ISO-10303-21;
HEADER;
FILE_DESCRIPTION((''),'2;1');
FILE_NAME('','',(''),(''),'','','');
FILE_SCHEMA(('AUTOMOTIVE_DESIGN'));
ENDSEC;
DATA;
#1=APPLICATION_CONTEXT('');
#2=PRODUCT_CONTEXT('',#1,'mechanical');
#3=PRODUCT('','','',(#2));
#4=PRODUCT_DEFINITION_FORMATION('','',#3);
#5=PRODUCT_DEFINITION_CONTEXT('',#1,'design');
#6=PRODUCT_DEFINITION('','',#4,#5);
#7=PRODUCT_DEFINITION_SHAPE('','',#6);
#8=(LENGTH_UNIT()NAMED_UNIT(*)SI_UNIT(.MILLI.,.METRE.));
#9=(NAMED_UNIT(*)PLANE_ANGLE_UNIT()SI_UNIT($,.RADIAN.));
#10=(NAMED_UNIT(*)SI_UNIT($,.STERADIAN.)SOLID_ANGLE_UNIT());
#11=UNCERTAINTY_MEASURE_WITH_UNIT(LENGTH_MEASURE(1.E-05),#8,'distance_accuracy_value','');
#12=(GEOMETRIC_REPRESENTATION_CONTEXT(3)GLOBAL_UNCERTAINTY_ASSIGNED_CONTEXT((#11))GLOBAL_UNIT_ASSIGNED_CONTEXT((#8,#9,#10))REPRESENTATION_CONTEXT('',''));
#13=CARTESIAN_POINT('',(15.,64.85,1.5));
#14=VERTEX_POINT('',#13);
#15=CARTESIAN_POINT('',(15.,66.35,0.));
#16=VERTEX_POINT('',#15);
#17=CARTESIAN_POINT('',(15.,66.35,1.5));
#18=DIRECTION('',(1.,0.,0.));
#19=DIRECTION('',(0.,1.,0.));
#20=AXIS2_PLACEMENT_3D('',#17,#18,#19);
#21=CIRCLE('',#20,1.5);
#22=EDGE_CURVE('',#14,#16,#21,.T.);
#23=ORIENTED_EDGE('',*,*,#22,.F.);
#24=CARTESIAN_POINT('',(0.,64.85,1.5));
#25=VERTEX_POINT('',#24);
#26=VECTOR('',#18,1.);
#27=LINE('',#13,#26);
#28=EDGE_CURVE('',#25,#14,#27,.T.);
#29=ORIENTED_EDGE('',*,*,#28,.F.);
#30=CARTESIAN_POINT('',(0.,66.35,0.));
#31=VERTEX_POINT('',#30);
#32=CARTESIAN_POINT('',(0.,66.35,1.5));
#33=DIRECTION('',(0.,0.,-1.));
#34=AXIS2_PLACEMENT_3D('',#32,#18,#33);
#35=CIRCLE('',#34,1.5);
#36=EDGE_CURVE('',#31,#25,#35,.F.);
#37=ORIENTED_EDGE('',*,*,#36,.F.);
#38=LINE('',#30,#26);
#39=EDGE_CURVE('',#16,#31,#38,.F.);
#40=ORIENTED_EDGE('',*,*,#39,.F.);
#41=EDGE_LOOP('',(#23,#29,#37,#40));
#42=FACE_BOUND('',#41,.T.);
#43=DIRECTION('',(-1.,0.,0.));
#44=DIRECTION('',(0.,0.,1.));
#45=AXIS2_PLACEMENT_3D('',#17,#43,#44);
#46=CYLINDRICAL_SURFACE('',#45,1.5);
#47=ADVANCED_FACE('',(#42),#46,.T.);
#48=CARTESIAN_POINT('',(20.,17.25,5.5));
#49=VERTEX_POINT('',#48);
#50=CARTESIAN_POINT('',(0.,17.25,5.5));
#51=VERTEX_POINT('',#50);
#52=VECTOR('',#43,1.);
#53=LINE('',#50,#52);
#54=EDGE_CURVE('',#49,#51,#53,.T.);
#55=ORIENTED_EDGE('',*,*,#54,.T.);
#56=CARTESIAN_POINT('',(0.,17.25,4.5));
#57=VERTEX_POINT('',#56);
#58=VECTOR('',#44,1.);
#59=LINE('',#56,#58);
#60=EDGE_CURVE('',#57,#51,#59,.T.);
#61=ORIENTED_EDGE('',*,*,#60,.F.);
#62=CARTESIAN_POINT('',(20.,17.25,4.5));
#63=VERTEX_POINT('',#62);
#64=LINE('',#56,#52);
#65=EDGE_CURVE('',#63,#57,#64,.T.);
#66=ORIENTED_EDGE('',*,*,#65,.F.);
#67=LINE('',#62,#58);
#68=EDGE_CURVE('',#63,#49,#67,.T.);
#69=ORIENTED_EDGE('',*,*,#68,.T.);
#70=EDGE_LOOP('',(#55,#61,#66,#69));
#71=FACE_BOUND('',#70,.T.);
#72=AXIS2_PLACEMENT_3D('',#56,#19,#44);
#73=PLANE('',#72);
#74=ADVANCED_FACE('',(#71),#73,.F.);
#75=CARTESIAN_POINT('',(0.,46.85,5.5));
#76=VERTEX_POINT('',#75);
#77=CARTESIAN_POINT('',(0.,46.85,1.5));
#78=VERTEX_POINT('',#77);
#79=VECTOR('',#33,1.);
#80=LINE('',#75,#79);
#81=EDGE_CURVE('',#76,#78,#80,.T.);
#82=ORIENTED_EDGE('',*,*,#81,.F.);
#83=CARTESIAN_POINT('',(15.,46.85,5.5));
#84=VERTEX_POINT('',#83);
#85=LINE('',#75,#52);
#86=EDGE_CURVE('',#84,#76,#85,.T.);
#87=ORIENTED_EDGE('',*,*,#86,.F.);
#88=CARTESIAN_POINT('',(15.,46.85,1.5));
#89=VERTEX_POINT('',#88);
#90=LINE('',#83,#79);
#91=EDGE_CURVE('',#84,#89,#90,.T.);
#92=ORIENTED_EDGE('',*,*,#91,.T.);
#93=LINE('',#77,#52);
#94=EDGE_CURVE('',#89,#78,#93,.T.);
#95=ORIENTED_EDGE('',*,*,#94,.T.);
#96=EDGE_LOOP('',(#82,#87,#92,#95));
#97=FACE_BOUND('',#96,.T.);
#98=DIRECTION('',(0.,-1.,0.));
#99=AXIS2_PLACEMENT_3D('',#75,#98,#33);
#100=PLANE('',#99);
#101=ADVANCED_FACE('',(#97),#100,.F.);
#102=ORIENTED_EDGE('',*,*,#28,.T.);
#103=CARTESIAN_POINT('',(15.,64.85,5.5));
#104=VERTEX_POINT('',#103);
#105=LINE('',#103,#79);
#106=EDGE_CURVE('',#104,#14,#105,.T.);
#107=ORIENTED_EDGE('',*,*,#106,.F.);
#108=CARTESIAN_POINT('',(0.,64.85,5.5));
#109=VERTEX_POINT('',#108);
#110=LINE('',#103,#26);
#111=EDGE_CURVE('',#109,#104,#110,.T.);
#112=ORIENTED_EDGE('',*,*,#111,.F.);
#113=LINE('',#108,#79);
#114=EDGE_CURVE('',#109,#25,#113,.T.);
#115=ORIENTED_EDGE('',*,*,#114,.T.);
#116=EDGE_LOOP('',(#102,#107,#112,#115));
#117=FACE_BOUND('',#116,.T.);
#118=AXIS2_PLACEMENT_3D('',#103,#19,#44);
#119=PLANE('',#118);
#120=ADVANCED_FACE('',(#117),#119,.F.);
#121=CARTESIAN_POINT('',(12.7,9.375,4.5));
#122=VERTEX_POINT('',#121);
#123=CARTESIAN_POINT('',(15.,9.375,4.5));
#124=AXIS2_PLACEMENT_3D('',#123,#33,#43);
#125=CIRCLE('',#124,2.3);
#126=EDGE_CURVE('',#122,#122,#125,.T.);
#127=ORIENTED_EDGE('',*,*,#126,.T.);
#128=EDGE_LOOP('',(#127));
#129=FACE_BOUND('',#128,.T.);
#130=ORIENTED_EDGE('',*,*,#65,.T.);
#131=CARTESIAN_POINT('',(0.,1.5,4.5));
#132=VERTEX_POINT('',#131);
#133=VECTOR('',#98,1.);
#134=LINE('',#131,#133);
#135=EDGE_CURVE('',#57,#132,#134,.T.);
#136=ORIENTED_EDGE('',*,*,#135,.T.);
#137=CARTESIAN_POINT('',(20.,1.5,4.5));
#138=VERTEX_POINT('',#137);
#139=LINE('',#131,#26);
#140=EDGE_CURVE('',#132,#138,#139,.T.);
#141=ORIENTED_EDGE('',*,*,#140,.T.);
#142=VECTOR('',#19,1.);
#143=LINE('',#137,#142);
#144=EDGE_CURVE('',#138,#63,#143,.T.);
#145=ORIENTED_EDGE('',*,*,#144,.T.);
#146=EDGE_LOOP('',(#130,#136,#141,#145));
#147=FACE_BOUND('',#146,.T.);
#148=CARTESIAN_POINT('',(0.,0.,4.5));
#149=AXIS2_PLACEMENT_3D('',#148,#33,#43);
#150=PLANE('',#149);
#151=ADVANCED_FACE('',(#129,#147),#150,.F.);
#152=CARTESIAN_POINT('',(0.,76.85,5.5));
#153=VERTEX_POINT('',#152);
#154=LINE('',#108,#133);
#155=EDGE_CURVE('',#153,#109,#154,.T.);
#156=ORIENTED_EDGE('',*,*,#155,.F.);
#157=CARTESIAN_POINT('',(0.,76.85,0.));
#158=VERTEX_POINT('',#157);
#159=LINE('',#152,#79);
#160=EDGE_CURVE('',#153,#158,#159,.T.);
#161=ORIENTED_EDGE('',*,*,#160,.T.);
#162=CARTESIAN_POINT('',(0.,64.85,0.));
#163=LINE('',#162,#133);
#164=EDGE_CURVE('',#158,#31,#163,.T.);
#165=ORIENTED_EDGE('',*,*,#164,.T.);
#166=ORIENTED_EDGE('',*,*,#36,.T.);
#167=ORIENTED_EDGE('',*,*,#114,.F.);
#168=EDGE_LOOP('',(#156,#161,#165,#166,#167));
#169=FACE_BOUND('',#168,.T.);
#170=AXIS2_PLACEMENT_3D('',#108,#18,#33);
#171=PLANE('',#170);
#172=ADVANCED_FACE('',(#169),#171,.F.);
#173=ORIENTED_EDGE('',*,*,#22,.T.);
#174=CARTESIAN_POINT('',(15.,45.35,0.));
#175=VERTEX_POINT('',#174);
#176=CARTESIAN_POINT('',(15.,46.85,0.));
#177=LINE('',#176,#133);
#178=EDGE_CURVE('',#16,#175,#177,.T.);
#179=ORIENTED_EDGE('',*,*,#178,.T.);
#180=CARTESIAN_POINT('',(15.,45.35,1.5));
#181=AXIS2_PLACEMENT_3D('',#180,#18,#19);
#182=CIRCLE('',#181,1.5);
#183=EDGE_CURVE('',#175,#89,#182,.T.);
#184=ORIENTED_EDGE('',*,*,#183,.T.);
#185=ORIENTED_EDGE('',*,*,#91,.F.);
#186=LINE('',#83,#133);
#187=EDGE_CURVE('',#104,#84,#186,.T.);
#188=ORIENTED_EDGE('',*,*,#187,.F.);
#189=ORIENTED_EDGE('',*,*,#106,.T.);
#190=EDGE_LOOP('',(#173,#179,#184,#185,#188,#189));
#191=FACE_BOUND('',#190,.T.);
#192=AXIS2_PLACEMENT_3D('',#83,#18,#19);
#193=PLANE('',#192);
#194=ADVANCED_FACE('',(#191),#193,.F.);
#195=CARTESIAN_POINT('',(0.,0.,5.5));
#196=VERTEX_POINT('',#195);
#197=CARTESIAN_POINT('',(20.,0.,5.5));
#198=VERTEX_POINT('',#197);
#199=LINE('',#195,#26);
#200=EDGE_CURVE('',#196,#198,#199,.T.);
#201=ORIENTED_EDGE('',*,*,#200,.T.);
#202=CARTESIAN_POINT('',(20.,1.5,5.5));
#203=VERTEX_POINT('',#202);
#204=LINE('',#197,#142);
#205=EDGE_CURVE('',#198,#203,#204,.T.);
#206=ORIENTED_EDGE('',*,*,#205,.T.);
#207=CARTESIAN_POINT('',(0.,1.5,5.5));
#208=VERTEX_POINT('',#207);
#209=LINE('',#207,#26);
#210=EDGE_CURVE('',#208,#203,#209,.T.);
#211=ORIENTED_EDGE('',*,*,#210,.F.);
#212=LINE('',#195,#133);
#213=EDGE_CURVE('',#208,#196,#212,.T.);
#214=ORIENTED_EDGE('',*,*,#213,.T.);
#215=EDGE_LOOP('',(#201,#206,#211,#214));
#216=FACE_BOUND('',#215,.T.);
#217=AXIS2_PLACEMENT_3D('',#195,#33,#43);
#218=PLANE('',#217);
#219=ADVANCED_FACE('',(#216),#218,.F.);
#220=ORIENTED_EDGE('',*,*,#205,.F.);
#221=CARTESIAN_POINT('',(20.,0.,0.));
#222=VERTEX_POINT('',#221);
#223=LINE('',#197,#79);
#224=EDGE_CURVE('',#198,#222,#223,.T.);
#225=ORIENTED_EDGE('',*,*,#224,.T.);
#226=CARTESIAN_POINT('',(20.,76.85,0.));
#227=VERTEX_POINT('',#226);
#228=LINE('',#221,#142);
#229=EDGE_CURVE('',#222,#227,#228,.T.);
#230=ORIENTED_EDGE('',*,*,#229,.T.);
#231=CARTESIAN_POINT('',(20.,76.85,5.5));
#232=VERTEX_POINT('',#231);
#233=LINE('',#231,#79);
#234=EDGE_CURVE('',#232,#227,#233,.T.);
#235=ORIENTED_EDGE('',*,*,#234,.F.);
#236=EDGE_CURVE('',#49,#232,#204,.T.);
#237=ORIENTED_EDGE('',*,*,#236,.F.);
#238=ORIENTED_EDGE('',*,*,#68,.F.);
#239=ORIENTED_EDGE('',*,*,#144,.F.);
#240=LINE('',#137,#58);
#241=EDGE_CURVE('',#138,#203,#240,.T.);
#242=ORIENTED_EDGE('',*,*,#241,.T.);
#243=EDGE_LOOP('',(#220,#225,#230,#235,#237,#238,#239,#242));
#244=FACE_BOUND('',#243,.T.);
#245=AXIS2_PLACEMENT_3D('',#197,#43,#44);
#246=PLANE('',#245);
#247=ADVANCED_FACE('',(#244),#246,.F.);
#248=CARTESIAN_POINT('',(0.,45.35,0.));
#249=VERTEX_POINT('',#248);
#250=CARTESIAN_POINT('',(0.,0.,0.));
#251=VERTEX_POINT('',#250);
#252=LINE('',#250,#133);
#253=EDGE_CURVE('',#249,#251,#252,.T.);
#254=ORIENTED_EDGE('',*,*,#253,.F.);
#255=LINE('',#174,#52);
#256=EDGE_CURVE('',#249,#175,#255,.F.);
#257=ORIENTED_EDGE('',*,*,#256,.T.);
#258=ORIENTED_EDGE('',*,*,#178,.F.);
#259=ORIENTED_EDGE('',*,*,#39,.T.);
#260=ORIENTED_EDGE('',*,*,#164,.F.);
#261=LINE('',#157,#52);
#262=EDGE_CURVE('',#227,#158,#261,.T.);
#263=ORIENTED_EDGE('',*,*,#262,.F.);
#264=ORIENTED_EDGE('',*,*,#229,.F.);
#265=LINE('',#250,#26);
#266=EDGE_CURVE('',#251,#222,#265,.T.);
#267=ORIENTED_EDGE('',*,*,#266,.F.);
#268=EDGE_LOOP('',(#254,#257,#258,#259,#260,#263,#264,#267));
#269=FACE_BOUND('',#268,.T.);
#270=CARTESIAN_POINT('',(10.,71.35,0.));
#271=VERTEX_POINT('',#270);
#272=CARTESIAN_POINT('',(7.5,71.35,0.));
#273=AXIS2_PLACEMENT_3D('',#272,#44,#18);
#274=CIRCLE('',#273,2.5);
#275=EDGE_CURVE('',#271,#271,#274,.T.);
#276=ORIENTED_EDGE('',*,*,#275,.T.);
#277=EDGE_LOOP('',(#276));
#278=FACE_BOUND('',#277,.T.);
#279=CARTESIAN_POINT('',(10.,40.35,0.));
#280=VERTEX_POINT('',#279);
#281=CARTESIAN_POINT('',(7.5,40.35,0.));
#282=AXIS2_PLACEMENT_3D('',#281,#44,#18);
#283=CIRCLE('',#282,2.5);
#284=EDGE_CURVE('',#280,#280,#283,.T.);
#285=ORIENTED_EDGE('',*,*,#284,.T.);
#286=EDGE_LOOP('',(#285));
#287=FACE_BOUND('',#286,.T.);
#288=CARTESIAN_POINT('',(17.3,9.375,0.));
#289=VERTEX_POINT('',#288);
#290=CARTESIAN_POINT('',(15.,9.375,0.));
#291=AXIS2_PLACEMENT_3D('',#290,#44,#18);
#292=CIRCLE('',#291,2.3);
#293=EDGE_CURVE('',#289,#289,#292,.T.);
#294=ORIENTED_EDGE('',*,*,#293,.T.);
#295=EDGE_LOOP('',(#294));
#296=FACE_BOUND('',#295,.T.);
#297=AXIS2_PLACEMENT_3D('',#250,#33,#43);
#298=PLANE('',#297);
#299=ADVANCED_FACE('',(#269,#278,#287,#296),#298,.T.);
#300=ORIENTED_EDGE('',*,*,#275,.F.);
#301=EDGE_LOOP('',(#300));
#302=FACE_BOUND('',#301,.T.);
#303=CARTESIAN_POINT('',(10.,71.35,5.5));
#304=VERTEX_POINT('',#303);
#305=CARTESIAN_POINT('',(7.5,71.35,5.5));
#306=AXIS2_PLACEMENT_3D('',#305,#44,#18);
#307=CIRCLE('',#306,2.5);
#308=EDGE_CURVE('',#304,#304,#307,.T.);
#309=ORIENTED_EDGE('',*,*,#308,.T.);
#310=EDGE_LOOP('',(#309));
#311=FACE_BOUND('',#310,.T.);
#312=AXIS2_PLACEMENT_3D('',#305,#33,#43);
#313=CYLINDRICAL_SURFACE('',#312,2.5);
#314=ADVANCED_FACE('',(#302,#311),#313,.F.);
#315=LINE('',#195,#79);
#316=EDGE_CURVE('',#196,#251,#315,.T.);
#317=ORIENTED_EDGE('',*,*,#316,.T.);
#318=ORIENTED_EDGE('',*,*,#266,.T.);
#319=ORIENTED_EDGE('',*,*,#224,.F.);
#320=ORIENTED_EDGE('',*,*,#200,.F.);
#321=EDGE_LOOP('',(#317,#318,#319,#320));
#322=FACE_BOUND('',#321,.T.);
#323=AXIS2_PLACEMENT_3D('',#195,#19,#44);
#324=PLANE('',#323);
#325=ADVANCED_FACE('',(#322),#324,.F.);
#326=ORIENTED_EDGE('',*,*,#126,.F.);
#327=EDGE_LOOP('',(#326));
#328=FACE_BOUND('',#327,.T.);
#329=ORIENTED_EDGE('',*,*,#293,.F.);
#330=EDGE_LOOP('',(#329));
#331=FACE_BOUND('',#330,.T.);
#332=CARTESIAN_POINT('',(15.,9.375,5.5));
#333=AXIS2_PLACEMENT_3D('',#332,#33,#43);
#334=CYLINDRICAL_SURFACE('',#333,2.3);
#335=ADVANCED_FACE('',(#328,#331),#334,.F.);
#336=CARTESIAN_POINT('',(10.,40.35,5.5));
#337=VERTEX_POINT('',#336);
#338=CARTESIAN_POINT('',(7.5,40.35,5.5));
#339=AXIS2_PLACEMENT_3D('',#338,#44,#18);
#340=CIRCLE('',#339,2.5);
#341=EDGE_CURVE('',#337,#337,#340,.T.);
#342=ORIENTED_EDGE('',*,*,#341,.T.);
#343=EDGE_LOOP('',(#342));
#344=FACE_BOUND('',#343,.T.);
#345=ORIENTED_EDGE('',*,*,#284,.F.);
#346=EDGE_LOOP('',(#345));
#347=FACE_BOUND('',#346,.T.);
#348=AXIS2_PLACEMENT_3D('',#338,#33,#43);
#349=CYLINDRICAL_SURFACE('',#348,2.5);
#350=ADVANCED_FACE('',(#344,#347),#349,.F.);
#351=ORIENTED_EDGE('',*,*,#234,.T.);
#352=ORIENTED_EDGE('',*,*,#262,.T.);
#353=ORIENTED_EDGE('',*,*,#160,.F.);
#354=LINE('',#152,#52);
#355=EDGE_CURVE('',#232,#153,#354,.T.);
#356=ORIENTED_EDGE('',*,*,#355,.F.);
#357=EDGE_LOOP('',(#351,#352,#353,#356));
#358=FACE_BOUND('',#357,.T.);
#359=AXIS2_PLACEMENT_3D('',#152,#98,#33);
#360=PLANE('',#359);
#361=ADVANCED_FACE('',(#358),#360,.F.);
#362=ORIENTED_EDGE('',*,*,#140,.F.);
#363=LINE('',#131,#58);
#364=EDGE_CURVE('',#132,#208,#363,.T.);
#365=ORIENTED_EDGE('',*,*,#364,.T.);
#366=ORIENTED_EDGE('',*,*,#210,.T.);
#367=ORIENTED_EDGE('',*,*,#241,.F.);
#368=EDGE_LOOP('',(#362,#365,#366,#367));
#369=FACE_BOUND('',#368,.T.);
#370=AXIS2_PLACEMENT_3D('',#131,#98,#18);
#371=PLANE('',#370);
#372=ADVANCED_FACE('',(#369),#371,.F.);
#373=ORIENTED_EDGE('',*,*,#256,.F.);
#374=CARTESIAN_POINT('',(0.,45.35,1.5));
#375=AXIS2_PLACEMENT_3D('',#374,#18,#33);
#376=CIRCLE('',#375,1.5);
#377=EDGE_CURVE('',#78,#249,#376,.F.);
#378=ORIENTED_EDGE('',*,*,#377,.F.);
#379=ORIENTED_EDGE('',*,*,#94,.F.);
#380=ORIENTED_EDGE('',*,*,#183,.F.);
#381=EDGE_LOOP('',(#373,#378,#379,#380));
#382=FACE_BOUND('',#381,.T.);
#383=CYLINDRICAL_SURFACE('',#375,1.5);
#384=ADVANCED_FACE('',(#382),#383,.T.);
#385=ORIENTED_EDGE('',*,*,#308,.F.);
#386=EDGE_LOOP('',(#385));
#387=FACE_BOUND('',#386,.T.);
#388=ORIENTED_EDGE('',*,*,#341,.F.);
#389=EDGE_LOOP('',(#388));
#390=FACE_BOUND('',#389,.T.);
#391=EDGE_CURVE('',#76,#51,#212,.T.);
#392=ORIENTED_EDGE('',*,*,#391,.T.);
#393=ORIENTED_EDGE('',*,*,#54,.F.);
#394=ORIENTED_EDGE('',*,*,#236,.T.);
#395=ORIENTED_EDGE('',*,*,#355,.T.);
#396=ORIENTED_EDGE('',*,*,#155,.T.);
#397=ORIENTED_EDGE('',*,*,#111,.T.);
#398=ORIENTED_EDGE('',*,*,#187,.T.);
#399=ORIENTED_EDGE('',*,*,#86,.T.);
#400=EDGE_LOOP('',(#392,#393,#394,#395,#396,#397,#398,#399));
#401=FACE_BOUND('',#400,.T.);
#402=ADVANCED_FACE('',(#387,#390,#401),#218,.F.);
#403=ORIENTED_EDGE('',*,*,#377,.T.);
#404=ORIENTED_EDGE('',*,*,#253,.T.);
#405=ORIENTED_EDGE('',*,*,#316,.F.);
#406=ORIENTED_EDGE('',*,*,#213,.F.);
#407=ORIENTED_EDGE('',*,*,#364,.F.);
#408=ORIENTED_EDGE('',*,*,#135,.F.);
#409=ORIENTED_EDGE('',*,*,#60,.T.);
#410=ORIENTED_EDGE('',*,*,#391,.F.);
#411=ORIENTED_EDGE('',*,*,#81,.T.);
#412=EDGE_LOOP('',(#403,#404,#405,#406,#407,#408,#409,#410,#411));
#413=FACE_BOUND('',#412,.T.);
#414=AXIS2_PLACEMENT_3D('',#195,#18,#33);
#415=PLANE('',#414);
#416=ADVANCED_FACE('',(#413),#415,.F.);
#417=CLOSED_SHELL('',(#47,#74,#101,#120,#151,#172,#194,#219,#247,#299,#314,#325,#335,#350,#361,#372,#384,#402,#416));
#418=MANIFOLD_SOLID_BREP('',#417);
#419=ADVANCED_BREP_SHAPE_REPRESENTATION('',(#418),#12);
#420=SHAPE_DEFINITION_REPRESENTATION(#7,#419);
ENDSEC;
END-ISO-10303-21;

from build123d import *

# Parameters (mm, degrees)
PROFILESKETCH3_R               = 2.5
PROFILESKETCH3_R_2             = 2.3
PROFILEBOSS_EXTRUDE1_DEPTH     = 5.5
FILLET1_R                      = 1.5
SKETCH1_W                      = 20
SKETCH1_H                      = 15.75
SLIDINGMOUNTCUT_EXTRUDE1_DEPTH = 1


with BuildPart() as part:
    # ProfileSketch3 → ProfileBoss-Extrude1 (new body)
    with BuildSketch(Plane.XY):
        Polygon((0, 46.85), (15, 46.85), (15, 64.85), (0, 64.85), (0, 76.85), (20, 76.85), (20, 0), (0, 0), align=None)
        with Locations((7.5, 40.35)):
            Circle(PROFILESKETCH3_R, mode=Mode.SUBTRACT)
        with Locations((7.5, 71.35)):
            Circle(PROFILESKETCH3_R, mode=Mode.SUBTRACT)
        with Locations((15, 9.375)):
            Circle(PROFILESKETCH3_R_2, mode=Mode.SUBTRACT)
    extrude(amount=PROFILEBOSS_EXTRUDE1_DEPTH)

    # Fillet1
    fillet1_edges = [part.edges().sort_by_distance(p)[0] for p in [
        (7.5, 46.85, 0),
        (7.5, 64.85, 0),
    ]]
    fillet(fillet1_edges, radius=FILLET1_R)

    # Sketch1 → SlidingMountCut-Extrude1 (cut)
    with BuildSketch(Plane.XY.offset(5.5)):
        with Locations((10, 9.375)):
            Rectangle(SKETCH1_W, SKETCH1_H)
    extrude(amount=-SLIDINGMOUNTCUT_EXTRUDE1_DEPTH, mode=Mode.SUBTRACT)


solid = part.part
